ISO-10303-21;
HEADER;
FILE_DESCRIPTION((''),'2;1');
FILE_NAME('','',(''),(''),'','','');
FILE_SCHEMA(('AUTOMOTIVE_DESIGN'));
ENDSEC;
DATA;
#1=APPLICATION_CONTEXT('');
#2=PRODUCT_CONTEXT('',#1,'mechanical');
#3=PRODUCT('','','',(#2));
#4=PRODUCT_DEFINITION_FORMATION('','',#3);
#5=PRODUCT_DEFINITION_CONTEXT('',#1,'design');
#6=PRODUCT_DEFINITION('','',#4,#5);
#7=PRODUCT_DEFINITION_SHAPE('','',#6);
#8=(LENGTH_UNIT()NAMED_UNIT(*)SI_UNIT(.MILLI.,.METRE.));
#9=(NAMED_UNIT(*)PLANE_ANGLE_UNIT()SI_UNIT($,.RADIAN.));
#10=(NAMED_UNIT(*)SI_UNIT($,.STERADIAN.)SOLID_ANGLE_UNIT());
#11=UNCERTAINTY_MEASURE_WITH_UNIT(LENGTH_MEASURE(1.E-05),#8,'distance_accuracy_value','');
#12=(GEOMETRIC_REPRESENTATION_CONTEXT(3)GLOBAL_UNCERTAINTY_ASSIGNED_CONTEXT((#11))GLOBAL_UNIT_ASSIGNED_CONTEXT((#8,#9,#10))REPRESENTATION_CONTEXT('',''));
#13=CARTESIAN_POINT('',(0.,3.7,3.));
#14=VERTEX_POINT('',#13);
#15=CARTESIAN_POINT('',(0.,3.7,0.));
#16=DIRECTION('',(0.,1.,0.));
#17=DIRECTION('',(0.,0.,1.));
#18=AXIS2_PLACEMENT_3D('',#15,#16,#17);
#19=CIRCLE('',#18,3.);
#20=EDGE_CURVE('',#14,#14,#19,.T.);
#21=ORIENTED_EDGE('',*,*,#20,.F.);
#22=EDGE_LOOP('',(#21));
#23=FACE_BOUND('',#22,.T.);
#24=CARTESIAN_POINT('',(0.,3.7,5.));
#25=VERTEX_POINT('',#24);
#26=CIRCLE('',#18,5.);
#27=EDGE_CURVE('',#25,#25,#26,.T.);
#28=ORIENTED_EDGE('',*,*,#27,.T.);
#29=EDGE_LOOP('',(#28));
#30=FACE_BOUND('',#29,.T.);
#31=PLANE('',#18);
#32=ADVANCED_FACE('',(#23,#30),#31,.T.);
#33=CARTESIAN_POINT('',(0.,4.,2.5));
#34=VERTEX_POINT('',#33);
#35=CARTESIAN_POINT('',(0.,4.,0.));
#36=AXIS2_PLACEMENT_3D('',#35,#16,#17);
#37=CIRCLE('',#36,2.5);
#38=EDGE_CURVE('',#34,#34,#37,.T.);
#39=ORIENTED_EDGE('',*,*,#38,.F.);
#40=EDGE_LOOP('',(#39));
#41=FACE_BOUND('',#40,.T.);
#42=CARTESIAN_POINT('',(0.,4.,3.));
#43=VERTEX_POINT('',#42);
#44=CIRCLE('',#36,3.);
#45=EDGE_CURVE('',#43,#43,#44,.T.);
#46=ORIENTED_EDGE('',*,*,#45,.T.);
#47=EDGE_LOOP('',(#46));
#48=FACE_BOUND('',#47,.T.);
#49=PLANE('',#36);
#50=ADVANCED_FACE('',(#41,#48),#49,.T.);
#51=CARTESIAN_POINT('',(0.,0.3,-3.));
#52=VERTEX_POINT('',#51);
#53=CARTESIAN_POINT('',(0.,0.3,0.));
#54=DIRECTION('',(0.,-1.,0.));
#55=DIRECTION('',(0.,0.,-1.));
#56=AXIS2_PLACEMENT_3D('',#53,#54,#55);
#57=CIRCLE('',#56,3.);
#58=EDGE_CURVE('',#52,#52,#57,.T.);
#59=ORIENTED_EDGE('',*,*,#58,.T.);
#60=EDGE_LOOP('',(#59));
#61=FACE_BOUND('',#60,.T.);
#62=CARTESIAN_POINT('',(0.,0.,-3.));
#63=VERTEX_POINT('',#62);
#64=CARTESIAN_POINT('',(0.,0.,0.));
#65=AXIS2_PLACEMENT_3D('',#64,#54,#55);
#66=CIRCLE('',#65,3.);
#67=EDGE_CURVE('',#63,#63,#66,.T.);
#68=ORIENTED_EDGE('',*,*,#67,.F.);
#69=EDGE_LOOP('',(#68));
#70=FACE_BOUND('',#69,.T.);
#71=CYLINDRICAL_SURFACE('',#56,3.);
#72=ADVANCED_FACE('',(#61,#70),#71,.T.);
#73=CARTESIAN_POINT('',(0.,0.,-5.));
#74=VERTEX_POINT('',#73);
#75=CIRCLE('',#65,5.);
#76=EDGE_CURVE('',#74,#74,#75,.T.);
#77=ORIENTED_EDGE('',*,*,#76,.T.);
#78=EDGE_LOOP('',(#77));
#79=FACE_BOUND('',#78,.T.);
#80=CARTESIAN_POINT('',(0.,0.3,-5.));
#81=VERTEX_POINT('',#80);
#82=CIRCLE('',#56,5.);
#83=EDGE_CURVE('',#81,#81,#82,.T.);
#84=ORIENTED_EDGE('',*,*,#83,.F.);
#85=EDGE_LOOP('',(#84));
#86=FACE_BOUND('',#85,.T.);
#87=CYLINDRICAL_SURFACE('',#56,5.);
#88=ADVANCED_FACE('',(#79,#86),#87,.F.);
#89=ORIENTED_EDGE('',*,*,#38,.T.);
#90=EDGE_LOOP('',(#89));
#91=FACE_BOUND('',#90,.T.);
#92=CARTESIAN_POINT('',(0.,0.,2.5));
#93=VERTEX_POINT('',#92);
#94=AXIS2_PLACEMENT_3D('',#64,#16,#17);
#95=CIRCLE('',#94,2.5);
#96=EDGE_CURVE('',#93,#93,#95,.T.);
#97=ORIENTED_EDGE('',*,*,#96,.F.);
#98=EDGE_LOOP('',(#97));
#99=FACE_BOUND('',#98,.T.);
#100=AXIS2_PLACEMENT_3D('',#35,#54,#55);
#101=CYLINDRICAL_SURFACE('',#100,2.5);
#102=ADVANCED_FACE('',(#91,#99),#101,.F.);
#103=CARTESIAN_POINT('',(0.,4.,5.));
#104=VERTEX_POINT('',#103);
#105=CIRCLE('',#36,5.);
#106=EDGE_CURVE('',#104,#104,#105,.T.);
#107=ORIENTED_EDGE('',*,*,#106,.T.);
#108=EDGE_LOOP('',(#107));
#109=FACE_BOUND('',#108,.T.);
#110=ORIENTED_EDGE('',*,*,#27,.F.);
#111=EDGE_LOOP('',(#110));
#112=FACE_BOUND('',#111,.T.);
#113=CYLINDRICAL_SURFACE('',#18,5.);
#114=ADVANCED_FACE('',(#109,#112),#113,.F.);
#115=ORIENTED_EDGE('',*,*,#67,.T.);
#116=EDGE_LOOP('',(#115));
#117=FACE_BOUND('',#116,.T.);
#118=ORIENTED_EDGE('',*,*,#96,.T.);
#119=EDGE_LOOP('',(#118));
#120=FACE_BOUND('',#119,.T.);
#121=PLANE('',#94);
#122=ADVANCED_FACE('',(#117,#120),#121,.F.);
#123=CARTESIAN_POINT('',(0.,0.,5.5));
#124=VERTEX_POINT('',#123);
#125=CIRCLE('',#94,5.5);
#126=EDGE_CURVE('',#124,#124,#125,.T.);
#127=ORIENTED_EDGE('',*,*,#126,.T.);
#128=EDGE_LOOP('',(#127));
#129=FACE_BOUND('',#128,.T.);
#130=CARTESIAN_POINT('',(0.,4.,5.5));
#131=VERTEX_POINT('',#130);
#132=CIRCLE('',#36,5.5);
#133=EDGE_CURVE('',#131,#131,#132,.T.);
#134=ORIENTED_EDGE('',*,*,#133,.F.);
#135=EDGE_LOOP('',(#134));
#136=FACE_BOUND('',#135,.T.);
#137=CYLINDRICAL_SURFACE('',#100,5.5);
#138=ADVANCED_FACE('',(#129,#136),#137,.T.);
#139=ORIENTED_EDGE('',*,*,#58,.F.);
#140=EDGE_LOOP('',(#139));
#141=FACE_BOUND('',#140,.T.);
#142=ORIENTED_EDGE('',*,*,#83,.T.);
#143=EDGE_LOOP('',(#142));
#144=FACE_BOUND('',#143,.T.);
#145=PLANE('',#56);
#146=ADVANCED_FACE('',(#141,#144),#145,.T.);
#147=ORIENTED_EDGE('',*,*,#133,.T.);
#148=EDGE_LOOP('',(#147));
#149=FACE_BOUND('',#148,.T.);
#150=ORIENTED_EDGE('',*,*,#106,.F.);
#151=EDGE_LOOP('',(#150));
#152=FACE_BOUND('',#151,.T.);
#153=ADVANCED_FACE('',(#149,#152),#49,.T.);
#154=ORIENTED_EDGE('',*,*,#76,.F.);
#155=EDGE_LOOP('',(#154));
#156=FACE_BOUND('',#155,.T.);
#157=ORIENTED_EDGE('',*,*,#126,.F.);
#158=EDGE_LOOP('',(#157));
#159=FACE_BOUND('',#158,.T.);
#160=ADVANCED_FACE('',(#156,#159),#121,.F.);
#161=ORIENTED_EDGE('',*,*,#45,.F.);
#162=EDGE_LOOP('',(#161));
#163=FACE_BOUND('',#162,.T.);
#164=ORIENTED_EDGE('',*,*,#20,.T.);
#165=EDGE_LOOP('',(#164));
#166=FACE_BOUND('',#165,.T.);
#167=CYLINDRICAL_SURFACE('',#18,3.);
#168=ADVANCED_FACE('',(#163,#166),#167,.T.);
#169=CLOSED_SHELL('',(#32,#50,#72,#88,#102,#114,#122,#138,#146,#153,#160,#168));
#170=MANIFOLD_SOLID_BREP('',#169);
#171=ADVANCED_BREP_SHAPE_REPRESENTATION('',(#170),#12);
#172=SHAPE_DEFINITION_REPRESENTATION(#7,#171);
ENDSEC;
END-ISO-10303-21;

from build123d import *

# Parameters (mm, degrees)
SKETCH1_R           = 5.5
SKETCH1_R_2         = 2.5
BOSS_EXTRUDE1_DEPTH = 4
SKETCH2_R           = 5
SKETCH2_R_2         = 3
CUT_EXTRUDE1_DEPTH  = 0.3
CUT_EXTRUDE2_START  = -0.3
SKETCH3_R           = 5
SKETCH3_R_2         = 3
CUT_EXTRUDE2_DEPTH  = 0.3


with BuildPart() as part:
    # Sketch1 → Boss-Extrude1 (new body)
    with BuildSketch(Plane(origin=(0, 0, 0), x_dir=(1, 0, 0), z_dir=(0, 1, 0))):
        with Locations(Location((0, 0, 0), (0, 0, 270))):
            Circle(SKETCH1_R)
        with Locations(Location((0, 0, 0), (0, 0, 270))):
            Circle(SKETCH1_R_2, mode=Mode.SUBTRACT)
    extrude(amount=BOSS_EXTRUDE1_DEPTH)

    # Sketch2 → Cut-Extrude1 (cut)
    with BuildSketch(Plane(origin=(0, 4, 0), x_dir=(1, 0, 0), z_dir=(0, 1, 0))):
        with Locations(Location((0, 0, 0), (0, 0, 270))):
            Circle(SKETCH2_R)
        with Locations(Location((0, 0, 0), (0, 0, 270))):
            Circle(SKETCH2_R_2, mode=Mode.SUBTRACT)
    extrude(amount=-CUT_EXTRUDE1_DEPTH, mode=Mode.SUBTRACT)

    # Sketch3 → Cut-Extrude2 (cut)
    with BuildSketch(Plane.XZ.offset(CUT_EXTRUDE2_START)):
        with Locations(Location((0, 0, 0), (0, 0, 90))):
            Circle(SKETCH3_R)
        with Locations(Location((0, 0, 0), (0, 0, 90))):
            Circle(SKETCH3_R_2, mode=Mode.SUBTRACT)
    extrude(amount=CUT_EXTRUDE2_DEPTH, mode=Mode.SUBTRACT)


solid = part.part
